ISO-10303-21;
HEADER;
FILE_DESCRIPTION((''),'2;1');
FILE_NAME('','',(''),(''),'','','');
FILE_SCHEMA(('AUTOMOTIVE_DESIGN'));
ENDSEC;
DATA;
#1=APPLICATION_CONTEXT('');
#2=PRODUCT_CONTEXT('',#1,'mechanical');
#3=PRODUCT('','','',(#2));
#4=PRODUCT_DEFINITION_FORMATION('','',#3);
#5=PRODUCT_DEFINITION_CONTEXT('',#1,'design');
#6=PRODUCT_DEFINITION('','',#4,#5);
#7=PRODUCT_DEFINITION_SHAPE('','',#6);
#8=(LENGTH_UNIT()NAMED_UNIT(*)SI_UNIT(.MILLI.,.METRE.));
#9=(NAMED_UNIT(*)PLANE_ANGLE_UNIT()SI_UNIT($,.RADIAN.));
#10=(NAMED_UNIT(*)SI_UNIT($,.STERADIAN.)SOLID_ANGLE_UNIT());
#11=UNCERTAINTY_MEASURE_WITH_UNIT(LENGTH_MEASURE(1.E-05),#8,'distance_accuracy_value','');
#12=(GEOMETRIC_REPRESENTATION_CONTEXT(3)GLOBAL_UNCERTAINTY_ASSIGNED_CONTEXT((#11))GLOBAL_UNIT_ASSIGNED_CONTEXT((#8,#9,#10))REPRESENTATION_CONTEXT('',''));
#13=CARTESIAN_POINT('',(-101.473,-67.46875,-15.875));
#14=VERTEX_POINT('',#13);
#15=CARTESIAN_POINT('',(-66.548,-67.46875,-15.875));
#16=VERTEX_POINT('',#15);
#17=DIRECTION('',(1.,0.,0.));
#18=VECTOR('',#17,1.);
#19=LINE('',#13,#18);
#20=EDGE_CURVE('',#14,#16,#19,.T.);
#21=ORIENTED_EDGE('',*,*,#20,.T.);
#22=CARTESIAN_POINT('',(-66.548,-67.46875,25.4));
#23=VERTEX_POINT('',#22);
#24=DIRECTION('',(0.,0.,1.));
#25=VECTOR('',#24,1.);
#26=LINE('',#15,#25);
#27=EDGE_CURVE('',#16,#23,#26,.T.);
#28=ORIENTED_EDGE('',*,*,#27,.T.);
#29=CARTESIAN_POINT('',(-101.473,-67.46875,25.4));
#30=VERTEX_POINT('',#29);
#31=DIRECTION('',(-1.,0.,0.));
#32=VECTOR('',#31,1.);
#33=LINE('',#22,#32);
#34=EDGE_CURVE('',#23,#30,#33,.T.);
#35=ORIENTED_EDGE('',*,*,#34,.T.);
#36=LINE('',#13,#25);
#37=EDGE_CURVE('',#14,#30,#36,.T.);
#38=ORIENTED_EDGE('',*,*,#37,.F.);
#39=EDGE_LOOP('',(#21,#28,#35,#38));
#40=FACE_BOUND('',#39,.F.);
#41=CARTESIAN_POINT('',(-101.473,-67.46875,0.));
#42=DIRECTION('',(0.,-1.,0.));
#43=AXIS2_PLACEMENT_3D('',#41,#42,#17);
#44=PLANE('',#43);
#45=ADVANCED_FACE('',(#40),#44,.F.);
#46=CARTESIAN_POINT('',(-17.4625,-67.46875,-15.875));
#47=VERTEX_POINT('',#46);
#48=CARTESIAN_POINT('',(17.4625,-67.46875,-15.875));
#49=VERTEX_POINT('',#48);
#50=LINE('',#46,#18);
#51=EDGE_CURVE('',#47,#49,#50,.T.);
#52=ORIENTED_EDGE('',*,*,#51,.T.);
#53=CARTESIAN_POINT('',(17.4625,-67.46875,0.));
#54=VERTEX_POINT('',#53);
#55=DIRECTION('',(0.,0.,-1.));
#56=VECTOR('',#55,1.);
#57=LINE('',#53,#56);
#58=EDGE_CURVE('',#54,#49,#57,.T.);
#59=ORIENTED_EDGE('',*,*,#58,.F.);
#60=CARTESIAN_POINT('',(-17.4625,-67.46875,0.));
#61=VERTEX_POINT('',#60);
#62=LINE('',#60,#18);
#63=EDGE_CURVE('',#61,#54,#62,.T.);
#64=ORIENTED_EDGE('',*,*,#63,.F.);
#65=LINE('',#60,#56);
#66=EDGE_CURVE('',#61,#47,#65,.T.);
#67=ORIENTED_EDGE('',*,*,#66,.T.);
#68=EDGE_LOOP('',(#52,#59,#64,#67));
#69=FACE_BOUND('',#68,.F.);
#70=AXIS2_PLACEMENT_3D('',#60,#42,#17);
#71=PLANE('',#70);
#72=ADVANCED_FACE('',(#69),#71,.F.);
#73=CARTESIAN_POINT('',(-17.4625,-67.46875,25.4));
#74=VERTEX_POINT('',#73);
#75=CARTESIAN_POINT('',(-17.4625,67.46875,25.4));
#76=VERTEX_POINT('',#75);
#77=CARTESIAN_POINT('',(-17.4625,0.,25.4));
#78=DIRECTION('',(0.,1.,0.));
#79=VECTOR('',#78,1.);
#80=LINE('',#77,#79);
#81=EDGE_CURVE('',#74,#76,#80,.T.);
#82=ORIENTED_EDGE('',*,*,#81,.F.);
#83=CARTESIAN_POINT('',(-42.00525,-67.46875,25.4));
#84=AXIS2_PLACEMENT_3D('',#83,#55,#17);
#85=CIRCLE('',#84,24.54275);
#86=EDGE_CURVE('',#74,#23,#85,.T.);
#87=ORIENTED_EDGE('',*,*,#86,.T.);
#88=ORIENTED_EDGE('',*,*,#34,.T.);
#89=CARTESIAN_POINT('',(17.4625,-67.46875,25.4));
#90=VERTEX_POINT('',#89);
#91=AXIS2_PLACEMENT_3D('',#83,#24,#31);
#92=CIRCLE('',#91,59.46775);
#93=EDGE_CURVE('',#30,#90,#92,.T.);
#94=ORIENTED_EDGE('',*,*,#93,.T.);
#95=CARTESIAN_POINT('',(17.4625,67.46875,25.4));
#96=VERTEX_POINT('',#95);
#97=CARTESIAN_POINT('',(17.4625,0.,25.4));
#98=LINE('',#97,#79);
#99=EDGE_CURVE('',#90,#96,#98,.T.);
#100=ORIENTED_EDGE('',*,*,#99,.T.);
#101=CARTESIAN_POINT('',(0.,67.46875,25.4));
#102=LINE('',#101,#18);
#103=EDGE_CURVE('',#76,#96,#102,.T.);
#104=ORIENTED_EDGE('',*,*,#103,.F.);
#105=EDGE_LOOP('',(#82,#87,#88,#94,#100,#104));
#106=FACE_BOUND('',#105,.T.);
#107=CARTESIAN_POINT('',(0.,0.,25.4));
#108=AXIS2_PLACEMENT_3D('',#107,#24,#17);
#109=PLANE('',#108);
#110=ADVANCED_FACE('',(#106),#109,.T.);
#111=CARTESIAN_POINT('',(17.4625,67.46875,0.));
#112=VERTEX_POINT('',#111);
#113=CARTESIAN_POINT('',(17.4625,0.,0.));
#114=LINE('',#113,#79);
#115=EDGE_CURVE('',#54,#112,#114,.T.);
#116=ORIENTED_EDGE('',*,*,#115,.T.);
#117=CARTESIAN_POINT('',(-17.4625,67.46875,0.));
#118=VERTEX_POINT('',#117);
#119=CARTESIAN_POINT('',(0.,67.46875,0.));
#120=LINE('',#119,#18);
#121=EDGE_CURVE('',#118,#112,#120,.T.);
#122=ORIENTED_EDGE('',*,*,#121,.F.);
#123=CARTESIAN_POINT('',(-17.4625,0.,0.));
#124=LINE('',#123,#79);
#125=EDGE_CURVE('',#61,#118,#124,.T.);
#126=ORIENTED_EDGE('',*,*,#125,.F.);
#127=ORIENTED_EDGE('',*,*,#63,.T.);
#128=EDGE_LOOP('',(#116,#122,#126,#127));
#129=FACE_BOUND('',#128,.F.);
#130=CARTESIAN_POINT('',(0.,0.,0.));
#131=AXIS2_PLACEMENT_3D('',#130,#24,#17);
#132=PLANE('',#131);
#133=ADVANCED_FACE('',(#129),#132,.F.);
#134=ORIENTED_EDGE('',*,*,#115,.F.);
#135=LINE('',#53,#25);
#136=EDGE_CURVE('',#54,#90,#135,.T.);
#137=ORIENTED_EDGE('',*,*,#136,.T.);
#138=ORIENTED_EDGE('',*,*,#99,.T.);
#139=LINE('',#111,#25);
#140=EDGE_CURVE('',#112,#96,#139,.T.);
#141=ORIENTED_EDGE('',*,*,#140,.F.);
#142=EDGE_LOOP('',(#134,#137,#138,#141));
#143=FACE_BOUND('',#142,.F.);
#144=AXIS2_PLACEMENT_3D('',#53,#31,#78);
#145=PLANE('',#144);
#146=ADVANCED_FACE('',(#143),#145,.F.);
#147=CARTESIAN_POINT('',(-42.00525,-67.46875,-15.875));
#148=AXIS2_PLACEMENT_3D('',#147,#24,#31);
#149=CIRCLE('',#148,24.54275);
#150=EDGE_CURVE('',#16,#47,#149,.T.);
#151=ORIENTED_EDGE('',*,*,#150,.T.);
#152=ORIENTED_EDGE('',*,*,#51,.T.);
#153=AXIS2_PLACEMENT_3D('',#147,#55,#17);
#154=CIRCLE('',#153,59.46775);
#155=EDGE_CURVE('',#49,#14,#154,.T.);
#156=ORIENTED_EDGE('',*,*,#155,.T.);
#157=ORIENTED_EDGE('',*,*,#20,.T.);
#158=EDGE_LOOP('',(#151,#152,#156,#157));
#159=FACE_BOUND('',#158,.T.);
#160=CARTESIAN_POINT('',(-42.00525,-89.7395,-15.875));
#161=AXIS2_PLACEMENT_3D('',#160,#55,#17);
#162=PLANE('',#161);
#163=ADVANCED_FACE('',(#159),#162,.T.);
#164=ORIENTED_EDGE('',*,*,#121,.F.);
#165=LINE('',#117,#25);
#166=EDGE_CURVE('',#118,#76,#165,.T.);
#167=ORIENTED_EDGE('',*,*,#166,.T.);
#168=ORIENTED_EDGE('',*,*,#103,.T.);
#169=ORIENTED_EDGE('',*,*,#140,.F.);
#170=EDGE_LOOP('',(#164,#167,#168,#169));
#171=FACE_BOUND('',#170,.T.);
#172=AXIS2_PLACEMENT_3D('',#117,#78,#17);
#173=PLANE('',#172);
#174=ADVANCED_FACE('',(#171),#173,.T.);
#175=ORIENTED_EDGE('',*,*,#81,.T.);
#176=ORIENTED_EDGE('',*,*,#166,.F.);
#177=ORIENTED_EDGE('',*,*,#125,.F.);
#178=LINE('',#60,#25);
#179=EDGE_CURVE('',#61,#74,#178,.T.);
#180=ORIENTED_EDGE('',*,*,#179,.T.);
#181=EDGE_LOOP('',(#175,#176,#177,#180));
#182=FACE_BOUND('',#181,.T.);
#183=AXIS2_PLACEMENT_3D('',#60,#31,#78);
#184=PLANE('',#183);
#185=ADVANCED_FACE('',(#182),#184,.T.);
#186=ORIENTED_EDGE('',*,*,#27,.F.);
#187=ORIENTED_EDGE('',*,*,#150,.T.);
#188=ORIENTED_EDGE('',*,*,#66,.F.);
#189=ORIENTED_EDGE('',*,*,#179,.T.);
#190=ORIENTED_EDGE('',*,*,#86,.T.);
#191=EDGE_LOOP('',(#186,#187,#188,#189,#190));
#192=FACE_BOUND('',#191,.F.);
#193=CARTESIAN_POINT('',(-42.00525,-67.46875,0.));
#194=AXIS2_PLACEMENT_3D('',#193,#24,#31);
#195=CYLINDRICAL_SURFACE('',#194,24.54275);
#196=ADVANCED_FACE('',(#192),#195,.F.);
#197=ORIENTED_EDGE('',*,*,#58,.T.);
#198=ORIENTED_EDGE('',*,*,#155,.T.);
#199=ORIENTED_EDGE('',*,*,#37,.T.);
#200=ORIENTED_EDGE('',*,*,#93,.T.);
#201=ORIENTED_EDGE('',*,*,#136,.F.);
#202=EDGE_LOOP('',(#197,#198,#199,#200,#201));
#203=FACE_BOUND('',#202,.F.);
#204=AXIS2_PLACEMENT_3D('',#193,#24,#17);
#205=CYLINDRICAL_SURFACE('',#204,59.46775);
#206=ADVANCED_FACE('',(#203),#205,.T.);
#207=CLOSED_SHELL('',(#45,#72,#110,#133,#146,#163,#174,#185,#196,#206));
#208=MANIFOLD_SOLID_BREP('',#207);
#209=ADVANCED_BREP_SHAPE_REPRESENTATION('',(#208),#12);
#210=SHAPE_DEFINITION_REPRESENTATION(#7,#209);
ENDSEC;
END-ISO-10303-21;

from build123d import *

# Parameters (mm, degrees)
F0_W     = 34.925
F0_H     = 134.9375
F1_DEPTH = 25.4
F2_DEPTH = 25.4
F4_DEPTH = 15.875


with BuildPart() as f1:
    # F0 (on Top) → F1 (new body)
    with BuildSketch(Plane.XY):
        Rectangle(F0_W, F0_H)
    extrude(amount=F1_DEPTH)

    # F0 (on Top) → F2 (join)
    with BuildSketch(Plane.XY):
        Rectangle(F0_W, F0_H)
        with BuildLine():
            Line((17.4625, -67.46875), (-17.4625, -67.46875))
            ThreePointArc((-17.4625, -67.46875), (-42.00525, -92.0115), (-66.548, -67.46875))
            Line((-66.548, -67.46875), (-101.473, -67.46875))
            ThreePointArc((-101.473, -67.46875), (-42.00525, -126.9365), (17.4625, -67.46875))
        make_face()
    extrude(amount=F2_DEPTH)

    # F3 (on face) → F4 (join)
    with BuildSketch(Plane(origin=(0, 0, 0), x_dir=(1, 0, 0), z_dir=(0, 0, -1))):
        with BuildLine():
            ThreePointArc((-66.548, 67.46875), (-42.00525, 92.0115), (-17.4625, 67.46875))
            Line((-17.4625, 67.46875), (17.4625, 67.46875))
            ThreePointArc((17.4625, 67.46875), (-42.00525, 126.9365), (-101.473, 67.46875))
            Line((-101.473, 67.46875), (-66.548, 67.46875))
        make_face()
    extrude(amount=F4_DEPTH)


solid = f1.part
